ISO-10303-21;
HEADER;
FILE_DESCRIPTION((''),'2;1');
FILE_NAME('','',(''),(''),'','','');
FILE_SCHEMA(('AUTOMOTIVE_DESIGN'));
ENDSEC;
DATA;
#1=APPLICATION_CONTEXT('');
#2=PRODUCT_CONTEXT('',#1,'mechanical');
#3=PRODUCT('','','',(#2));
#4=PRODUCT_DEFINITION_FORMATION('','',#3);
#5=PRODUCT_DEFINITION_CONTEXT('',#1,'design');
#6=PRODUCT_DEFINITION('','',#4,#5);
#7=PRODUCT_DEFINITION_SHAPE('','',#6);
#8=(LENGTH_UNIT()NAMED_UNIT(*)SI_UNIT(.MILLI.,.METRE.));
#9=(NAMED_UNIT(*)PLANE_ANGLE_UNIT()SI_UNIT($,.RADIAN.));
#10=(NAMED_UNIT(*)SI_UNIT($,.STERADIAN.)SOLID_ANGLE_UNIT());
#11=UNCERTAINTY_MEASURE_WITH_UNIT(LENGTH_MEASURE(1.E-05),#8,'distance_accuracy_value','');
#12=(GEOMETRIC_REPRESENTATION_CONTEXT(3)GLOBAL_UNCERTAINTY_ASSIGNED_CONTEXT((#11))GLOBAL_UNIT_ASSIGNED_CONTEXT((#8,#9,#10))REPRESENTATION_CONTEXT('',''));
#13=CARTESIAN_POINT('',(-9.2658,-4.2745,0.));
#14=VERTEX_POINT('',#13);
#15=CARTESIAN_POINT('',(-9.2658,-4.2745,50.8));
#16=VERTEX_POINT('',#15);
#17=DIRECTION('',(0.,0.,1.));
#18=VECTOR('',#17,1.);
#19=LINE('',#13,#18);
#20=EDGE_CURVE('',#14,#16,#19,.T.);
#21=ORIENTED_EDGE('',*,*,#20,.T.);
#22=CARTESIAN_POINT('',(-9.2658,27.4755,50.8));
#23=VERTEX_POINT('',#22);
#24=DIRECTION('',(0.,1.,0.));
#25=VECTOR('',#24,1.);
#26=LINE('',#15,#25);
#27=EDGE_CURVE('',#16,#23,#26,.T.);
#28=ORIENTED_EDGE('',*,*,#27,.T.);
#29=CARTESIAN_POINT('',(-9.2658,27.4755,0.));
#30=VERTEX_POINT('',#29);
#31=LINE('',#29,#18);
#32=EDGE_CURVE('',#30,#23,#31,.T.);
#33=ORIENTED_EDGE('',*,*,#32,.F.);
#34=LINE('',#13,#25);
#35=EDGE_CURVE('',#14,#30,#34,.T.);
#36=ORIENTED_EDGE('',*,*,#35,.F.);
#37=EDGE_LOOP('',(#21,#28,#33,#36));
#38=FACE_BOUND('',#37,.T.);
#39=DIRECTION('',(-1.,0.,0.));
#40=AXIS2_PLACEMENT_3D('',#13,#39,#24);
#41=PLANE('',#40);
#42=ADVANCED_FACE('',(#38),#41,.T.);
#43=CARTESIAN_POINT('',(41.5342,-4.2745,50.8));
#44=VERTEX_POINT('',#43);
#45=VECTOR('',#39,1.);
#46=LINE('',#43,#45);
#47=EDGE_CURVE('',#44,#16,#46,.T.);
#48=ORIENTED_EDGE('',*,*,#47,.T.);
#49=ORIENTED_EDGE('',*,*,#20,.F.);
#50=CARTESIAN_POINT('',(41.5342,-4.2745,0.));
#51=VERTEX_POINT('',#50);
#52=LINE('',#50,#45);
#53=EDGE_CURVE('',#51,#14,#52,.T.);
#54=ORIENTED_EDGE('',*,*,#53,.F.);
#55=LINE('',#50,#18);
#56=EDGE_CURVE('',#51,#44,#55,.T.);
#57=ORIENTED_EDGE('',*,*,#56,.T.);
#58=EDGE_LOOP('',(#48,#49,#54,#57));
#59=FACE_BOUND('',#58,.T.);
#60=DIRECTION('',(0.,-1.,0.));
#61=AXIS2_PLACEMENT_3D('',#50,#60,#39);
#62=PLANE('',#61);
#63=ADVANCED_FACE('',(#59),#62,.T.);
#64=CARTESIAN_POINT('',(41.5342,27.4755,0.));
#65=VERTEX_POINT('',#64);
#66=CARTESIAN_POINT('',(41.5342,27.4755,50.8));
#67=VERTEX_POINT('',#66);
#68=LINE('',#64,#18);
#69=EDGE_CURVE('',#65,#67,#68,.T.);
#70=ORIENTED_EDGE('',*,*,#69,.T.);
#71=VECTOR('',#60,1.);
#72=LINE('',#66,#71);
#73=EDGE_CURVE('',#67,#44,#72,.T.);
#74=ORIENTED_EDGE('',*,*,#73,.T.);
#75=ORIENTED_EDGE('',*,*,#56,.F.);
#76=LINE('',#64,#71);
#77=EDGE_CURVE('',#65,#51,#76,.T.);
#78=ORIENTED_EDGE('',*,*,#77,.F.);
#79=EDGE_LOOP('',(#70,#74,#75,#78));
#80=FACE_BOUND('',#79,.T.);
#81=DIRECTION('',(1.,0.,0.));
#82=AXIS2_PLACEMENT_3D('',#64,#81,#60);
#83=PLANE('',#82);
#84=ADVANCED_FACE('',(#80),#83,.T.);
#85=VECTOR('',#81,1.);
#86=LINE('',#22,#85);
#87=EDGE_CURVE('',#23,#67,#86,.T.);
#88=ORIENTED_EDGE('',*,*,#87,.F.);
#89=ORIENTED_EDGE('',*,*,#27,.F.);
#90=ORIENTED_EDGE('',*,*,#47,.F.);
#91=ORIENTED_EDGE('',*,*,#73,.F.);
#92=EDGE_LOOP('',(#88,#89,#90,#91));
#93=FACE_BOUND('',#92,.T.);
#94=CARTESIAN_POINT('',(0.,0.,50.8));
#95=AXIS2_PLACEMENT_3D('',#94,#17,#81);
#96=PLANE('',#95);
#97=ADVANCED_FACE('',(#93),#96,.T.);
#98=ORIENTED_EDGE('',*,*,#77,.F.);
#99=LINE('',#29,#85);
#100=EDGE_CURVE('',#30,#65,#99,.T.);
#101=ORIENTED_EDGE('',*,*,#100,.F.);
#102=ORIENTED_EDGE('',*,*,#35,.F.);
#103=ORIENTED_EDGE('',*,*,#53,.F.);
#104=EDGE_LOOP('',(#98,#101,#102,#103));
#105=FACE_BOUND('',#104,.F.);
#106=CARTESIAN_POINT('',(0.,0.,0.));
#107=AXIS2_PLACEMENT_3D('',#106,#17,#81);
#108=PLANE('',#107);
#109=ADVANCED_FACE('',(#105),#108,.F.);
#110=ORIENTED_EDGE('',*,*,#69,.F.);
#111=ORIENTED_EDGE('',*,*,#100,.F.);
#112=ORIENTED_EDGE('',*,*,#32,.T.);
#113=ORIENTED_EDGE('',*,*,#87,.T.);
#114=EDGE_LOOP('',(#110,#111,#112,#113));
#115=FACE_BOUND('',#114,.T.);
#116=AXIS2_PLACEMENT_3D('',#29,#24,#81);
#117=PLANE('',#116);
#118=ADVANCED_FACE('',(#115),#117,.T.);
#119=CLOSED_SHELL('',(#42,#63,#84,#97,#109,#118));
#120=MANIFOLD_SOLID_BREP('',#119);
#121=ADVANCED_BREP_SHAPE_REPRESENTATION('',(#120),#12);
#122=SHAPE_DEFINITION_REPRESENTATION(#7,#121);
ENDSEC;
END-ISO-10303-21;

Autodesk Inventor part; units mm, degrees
ref_plane "YZ Plane" through (0, 0, 0) normal (1, 0, 0) x (0, 1, 0)
ref_plane "XZ Plane" through (0, 0, 0) normal (0, 1, 0) x (-1, 0, 0)
ref_plane "XY Plane" through (0, 0, 0) normal (0, 0, 1) x (1, 0, 0)
sketch "Sketch1" plane through (0, 0, 0) normal (0, 0, 1) x (1, 0, 0)
  line L0 (-9.2658, 27.4755) -> (41.5342, 27.4755)
  line L1 (41.5342, 27.4755) -> (41.5342, -4.2745)
  line L2 (41.5342, -4.2745) -> (-9.2658, -4.2745)
  line L3 (-9.2658, -4.2745) -> (-9.2658, 27.4755)
  point P0 (0, 0)
  dimension "d0" = 50.8
  dimension "d1" = 31.75
extrude "Extrusion1" add sketch "Sketch1" along normal blind 50.8
properties part number "2 x2"
